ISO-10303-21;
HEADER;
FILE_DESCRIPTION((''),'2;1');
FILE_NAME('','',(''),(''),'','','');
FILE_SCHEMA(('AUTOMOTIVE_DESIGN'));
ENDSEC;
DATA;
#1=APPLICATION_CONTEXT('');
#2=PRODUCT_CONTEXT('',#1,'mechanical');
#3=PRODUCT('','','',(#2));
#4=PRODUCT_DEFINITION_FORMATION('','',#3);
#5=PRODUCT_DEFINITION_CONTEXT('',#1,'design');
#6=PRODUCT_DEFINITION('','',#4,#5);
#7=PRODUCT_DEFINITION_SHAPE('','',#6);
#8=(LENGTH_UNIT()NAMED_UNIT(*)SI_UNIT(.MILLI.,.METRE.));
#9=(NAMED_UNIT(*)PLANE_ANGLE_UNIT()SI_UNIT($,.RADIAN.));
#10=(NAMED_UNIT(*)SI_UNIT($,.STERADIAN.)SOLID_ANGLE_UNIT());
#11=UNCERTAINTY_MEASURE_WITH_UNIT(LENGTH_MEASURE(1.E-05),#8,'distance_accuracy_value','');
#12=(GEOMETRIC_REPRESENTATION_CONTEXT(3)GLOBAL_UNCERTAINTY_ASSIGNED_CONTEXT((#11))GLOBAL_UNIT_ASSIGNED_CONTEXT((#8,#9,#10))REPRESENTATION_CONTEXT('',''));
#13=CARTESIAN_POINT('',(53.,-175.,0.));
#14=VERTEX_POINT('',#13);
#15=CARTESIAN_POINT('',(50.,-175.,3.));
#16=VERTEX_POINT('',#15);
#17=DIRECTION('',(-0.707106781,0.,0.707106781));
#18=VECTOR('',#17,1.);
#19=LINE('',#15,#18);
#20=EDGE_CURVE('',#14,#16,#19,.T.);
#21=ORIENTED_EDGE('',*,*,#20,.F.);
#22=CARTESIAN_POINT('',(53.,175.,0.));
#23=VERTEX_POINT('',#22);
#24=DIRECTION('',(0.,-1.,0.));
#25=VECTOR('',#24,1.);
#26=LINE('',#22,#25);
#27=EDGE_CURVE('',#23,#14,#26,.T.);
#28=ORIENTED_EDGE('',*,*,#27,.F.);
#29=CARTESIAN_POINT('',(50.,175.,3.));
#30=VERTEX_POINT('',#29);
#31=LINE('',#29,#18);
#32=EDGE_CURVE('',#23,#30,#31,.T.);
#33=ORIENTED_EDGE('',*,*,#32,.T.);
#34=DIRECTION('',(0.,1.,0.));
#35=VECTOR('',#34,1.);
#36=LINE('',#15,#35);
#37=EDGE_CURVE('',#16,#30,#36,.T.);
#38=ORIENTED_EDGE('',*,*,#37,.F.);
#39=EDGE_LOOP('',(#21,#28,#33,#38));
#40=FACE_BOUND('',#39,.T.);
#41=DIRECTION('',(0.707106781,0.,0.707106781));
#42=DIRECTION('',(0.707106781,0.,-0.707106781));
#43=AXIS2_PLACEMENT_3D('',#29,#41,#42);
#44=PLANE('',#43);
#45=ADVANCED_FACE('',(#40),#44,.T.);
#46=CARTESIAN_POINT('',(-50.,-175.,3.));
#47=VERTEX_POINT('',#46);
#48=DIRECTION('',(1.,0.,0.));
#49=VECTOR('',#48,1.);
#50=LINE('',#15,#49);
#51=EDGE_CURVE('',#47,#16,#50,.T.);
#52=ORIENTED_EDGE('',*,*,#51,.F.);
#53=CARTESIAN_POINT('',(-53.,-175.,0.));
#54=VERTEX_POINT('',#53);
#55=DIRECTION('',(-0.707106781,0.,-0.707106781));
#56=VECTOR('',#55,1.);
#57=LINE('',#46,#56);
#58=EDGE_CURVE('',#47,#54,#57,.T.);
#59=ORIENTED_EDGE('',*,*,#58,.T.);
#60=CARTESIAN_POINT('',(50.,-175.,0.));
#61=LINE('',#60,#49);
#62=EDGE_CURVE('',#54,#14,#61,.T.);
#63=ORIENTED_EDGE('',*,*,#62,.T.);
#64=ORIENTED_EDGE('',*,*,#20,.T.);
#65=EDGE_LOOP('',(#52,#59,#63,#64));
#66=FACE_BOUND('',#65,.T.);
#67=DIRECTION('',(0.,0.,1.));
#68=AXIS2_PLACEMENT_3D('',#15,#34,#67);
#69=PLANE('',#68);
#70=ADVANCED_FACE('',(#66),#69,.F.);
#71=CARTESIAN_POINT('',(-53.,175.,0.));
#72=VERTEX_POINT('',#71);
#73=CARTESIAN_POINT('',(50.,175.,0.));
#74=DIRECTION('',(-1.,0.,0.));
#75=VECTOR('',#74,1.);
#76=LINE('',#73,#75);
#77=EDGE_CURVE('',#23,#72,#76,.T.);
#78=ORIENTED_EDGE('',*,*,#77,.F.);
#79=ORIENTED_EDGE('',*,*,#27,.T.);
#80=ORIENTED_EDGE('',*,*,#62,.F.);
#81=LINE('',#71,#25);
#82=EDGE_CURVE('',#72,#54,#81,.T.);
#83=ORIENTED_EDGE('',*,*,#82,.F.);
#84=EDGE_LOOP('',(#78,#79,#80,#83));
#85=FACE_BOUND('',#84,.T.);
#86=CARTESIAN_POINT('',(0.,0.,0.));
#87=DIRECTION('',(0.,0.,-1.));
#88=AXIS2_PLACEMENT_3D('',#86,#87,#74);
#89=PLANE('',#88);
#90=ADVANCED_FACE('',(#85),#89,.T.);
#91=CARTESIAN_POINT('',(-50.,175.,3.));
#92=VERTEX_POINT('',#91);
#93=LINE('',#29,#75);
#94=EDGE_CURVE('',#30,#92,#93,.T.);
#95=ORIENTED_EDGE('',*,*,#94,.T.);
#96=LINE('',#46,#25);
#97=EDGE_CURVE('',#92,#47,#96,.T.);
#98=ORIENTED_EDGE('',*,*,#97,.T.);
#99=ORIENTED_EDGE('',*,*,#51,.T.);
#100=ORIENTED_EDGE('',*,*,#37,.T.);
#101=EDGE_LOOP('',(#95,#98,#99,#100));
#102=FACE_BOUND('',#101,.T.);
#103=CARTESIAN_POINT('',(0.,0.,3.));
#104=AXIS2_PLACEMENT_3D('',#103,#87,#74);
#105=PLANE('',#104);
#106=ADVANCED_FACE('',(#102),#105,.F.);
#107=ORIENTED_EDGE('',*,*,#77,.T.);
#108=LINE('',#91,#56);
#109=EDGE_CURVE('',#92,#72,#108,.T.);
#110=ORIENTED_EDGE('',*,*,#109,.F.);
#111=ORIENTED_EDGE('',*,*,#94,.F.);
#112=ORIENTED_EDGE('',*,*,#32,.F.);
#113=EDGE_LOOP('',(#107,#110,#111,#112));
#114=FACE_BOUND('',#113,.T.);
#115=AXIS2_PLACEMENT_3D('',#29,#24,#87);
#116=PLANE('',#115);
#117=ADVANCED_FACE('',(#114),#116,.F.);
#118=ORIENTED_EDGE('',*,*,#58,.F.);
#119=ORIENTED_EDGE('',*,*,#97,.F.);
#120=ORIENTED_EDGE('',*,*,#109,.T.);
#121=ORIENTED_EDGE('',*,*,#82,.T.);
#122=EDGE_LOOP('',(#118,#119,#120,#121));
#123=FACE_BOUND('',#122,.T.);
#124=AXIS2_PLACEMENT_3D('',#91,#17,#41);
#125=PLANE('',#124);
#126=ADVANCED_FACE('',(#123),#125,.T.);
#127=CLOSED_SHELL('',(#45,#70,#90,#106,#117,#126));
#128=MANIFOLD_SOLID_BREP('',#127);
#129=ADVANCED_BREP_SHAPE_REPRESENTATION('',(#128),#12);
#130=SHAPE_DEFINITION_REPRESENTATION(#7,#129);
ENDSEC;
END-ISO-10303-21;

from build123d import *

# Parameters (mm, degrees)
SKETCH1_W           = 350
SKETCH1_H           = 100
BOSS_EXTRUDE1_DEPTH = 3
BOSS_EXTRUDE2_DEPTH = 350


with BuildPart() as part:
    # Sketch1 → Boss-Extrude1 (new body)
    with BuildSketch(Plane(origin=(0, 0, 0), x_dir=(0, 1, 0), z_dir=(0, 0, 1))):
        Rectangle(SKETCH1_W, SKETCH1_H)
    extrude(amount=BOSS_EXTRUDE1_DEPTH)

    # Sketch2 → Boss-Extrude2 (add, through all)
    with BuildSketch(Plane.XZ.offset(175)):
        Polygon((-50, 3), (-50, 0), (-53, 0), align=None)
        Polygon((50, 3), (53, 0), (50, 0), align=None)
    extrude(amount=-BOSS_EXTRUDE2_DEPTH)


solid = part.part
